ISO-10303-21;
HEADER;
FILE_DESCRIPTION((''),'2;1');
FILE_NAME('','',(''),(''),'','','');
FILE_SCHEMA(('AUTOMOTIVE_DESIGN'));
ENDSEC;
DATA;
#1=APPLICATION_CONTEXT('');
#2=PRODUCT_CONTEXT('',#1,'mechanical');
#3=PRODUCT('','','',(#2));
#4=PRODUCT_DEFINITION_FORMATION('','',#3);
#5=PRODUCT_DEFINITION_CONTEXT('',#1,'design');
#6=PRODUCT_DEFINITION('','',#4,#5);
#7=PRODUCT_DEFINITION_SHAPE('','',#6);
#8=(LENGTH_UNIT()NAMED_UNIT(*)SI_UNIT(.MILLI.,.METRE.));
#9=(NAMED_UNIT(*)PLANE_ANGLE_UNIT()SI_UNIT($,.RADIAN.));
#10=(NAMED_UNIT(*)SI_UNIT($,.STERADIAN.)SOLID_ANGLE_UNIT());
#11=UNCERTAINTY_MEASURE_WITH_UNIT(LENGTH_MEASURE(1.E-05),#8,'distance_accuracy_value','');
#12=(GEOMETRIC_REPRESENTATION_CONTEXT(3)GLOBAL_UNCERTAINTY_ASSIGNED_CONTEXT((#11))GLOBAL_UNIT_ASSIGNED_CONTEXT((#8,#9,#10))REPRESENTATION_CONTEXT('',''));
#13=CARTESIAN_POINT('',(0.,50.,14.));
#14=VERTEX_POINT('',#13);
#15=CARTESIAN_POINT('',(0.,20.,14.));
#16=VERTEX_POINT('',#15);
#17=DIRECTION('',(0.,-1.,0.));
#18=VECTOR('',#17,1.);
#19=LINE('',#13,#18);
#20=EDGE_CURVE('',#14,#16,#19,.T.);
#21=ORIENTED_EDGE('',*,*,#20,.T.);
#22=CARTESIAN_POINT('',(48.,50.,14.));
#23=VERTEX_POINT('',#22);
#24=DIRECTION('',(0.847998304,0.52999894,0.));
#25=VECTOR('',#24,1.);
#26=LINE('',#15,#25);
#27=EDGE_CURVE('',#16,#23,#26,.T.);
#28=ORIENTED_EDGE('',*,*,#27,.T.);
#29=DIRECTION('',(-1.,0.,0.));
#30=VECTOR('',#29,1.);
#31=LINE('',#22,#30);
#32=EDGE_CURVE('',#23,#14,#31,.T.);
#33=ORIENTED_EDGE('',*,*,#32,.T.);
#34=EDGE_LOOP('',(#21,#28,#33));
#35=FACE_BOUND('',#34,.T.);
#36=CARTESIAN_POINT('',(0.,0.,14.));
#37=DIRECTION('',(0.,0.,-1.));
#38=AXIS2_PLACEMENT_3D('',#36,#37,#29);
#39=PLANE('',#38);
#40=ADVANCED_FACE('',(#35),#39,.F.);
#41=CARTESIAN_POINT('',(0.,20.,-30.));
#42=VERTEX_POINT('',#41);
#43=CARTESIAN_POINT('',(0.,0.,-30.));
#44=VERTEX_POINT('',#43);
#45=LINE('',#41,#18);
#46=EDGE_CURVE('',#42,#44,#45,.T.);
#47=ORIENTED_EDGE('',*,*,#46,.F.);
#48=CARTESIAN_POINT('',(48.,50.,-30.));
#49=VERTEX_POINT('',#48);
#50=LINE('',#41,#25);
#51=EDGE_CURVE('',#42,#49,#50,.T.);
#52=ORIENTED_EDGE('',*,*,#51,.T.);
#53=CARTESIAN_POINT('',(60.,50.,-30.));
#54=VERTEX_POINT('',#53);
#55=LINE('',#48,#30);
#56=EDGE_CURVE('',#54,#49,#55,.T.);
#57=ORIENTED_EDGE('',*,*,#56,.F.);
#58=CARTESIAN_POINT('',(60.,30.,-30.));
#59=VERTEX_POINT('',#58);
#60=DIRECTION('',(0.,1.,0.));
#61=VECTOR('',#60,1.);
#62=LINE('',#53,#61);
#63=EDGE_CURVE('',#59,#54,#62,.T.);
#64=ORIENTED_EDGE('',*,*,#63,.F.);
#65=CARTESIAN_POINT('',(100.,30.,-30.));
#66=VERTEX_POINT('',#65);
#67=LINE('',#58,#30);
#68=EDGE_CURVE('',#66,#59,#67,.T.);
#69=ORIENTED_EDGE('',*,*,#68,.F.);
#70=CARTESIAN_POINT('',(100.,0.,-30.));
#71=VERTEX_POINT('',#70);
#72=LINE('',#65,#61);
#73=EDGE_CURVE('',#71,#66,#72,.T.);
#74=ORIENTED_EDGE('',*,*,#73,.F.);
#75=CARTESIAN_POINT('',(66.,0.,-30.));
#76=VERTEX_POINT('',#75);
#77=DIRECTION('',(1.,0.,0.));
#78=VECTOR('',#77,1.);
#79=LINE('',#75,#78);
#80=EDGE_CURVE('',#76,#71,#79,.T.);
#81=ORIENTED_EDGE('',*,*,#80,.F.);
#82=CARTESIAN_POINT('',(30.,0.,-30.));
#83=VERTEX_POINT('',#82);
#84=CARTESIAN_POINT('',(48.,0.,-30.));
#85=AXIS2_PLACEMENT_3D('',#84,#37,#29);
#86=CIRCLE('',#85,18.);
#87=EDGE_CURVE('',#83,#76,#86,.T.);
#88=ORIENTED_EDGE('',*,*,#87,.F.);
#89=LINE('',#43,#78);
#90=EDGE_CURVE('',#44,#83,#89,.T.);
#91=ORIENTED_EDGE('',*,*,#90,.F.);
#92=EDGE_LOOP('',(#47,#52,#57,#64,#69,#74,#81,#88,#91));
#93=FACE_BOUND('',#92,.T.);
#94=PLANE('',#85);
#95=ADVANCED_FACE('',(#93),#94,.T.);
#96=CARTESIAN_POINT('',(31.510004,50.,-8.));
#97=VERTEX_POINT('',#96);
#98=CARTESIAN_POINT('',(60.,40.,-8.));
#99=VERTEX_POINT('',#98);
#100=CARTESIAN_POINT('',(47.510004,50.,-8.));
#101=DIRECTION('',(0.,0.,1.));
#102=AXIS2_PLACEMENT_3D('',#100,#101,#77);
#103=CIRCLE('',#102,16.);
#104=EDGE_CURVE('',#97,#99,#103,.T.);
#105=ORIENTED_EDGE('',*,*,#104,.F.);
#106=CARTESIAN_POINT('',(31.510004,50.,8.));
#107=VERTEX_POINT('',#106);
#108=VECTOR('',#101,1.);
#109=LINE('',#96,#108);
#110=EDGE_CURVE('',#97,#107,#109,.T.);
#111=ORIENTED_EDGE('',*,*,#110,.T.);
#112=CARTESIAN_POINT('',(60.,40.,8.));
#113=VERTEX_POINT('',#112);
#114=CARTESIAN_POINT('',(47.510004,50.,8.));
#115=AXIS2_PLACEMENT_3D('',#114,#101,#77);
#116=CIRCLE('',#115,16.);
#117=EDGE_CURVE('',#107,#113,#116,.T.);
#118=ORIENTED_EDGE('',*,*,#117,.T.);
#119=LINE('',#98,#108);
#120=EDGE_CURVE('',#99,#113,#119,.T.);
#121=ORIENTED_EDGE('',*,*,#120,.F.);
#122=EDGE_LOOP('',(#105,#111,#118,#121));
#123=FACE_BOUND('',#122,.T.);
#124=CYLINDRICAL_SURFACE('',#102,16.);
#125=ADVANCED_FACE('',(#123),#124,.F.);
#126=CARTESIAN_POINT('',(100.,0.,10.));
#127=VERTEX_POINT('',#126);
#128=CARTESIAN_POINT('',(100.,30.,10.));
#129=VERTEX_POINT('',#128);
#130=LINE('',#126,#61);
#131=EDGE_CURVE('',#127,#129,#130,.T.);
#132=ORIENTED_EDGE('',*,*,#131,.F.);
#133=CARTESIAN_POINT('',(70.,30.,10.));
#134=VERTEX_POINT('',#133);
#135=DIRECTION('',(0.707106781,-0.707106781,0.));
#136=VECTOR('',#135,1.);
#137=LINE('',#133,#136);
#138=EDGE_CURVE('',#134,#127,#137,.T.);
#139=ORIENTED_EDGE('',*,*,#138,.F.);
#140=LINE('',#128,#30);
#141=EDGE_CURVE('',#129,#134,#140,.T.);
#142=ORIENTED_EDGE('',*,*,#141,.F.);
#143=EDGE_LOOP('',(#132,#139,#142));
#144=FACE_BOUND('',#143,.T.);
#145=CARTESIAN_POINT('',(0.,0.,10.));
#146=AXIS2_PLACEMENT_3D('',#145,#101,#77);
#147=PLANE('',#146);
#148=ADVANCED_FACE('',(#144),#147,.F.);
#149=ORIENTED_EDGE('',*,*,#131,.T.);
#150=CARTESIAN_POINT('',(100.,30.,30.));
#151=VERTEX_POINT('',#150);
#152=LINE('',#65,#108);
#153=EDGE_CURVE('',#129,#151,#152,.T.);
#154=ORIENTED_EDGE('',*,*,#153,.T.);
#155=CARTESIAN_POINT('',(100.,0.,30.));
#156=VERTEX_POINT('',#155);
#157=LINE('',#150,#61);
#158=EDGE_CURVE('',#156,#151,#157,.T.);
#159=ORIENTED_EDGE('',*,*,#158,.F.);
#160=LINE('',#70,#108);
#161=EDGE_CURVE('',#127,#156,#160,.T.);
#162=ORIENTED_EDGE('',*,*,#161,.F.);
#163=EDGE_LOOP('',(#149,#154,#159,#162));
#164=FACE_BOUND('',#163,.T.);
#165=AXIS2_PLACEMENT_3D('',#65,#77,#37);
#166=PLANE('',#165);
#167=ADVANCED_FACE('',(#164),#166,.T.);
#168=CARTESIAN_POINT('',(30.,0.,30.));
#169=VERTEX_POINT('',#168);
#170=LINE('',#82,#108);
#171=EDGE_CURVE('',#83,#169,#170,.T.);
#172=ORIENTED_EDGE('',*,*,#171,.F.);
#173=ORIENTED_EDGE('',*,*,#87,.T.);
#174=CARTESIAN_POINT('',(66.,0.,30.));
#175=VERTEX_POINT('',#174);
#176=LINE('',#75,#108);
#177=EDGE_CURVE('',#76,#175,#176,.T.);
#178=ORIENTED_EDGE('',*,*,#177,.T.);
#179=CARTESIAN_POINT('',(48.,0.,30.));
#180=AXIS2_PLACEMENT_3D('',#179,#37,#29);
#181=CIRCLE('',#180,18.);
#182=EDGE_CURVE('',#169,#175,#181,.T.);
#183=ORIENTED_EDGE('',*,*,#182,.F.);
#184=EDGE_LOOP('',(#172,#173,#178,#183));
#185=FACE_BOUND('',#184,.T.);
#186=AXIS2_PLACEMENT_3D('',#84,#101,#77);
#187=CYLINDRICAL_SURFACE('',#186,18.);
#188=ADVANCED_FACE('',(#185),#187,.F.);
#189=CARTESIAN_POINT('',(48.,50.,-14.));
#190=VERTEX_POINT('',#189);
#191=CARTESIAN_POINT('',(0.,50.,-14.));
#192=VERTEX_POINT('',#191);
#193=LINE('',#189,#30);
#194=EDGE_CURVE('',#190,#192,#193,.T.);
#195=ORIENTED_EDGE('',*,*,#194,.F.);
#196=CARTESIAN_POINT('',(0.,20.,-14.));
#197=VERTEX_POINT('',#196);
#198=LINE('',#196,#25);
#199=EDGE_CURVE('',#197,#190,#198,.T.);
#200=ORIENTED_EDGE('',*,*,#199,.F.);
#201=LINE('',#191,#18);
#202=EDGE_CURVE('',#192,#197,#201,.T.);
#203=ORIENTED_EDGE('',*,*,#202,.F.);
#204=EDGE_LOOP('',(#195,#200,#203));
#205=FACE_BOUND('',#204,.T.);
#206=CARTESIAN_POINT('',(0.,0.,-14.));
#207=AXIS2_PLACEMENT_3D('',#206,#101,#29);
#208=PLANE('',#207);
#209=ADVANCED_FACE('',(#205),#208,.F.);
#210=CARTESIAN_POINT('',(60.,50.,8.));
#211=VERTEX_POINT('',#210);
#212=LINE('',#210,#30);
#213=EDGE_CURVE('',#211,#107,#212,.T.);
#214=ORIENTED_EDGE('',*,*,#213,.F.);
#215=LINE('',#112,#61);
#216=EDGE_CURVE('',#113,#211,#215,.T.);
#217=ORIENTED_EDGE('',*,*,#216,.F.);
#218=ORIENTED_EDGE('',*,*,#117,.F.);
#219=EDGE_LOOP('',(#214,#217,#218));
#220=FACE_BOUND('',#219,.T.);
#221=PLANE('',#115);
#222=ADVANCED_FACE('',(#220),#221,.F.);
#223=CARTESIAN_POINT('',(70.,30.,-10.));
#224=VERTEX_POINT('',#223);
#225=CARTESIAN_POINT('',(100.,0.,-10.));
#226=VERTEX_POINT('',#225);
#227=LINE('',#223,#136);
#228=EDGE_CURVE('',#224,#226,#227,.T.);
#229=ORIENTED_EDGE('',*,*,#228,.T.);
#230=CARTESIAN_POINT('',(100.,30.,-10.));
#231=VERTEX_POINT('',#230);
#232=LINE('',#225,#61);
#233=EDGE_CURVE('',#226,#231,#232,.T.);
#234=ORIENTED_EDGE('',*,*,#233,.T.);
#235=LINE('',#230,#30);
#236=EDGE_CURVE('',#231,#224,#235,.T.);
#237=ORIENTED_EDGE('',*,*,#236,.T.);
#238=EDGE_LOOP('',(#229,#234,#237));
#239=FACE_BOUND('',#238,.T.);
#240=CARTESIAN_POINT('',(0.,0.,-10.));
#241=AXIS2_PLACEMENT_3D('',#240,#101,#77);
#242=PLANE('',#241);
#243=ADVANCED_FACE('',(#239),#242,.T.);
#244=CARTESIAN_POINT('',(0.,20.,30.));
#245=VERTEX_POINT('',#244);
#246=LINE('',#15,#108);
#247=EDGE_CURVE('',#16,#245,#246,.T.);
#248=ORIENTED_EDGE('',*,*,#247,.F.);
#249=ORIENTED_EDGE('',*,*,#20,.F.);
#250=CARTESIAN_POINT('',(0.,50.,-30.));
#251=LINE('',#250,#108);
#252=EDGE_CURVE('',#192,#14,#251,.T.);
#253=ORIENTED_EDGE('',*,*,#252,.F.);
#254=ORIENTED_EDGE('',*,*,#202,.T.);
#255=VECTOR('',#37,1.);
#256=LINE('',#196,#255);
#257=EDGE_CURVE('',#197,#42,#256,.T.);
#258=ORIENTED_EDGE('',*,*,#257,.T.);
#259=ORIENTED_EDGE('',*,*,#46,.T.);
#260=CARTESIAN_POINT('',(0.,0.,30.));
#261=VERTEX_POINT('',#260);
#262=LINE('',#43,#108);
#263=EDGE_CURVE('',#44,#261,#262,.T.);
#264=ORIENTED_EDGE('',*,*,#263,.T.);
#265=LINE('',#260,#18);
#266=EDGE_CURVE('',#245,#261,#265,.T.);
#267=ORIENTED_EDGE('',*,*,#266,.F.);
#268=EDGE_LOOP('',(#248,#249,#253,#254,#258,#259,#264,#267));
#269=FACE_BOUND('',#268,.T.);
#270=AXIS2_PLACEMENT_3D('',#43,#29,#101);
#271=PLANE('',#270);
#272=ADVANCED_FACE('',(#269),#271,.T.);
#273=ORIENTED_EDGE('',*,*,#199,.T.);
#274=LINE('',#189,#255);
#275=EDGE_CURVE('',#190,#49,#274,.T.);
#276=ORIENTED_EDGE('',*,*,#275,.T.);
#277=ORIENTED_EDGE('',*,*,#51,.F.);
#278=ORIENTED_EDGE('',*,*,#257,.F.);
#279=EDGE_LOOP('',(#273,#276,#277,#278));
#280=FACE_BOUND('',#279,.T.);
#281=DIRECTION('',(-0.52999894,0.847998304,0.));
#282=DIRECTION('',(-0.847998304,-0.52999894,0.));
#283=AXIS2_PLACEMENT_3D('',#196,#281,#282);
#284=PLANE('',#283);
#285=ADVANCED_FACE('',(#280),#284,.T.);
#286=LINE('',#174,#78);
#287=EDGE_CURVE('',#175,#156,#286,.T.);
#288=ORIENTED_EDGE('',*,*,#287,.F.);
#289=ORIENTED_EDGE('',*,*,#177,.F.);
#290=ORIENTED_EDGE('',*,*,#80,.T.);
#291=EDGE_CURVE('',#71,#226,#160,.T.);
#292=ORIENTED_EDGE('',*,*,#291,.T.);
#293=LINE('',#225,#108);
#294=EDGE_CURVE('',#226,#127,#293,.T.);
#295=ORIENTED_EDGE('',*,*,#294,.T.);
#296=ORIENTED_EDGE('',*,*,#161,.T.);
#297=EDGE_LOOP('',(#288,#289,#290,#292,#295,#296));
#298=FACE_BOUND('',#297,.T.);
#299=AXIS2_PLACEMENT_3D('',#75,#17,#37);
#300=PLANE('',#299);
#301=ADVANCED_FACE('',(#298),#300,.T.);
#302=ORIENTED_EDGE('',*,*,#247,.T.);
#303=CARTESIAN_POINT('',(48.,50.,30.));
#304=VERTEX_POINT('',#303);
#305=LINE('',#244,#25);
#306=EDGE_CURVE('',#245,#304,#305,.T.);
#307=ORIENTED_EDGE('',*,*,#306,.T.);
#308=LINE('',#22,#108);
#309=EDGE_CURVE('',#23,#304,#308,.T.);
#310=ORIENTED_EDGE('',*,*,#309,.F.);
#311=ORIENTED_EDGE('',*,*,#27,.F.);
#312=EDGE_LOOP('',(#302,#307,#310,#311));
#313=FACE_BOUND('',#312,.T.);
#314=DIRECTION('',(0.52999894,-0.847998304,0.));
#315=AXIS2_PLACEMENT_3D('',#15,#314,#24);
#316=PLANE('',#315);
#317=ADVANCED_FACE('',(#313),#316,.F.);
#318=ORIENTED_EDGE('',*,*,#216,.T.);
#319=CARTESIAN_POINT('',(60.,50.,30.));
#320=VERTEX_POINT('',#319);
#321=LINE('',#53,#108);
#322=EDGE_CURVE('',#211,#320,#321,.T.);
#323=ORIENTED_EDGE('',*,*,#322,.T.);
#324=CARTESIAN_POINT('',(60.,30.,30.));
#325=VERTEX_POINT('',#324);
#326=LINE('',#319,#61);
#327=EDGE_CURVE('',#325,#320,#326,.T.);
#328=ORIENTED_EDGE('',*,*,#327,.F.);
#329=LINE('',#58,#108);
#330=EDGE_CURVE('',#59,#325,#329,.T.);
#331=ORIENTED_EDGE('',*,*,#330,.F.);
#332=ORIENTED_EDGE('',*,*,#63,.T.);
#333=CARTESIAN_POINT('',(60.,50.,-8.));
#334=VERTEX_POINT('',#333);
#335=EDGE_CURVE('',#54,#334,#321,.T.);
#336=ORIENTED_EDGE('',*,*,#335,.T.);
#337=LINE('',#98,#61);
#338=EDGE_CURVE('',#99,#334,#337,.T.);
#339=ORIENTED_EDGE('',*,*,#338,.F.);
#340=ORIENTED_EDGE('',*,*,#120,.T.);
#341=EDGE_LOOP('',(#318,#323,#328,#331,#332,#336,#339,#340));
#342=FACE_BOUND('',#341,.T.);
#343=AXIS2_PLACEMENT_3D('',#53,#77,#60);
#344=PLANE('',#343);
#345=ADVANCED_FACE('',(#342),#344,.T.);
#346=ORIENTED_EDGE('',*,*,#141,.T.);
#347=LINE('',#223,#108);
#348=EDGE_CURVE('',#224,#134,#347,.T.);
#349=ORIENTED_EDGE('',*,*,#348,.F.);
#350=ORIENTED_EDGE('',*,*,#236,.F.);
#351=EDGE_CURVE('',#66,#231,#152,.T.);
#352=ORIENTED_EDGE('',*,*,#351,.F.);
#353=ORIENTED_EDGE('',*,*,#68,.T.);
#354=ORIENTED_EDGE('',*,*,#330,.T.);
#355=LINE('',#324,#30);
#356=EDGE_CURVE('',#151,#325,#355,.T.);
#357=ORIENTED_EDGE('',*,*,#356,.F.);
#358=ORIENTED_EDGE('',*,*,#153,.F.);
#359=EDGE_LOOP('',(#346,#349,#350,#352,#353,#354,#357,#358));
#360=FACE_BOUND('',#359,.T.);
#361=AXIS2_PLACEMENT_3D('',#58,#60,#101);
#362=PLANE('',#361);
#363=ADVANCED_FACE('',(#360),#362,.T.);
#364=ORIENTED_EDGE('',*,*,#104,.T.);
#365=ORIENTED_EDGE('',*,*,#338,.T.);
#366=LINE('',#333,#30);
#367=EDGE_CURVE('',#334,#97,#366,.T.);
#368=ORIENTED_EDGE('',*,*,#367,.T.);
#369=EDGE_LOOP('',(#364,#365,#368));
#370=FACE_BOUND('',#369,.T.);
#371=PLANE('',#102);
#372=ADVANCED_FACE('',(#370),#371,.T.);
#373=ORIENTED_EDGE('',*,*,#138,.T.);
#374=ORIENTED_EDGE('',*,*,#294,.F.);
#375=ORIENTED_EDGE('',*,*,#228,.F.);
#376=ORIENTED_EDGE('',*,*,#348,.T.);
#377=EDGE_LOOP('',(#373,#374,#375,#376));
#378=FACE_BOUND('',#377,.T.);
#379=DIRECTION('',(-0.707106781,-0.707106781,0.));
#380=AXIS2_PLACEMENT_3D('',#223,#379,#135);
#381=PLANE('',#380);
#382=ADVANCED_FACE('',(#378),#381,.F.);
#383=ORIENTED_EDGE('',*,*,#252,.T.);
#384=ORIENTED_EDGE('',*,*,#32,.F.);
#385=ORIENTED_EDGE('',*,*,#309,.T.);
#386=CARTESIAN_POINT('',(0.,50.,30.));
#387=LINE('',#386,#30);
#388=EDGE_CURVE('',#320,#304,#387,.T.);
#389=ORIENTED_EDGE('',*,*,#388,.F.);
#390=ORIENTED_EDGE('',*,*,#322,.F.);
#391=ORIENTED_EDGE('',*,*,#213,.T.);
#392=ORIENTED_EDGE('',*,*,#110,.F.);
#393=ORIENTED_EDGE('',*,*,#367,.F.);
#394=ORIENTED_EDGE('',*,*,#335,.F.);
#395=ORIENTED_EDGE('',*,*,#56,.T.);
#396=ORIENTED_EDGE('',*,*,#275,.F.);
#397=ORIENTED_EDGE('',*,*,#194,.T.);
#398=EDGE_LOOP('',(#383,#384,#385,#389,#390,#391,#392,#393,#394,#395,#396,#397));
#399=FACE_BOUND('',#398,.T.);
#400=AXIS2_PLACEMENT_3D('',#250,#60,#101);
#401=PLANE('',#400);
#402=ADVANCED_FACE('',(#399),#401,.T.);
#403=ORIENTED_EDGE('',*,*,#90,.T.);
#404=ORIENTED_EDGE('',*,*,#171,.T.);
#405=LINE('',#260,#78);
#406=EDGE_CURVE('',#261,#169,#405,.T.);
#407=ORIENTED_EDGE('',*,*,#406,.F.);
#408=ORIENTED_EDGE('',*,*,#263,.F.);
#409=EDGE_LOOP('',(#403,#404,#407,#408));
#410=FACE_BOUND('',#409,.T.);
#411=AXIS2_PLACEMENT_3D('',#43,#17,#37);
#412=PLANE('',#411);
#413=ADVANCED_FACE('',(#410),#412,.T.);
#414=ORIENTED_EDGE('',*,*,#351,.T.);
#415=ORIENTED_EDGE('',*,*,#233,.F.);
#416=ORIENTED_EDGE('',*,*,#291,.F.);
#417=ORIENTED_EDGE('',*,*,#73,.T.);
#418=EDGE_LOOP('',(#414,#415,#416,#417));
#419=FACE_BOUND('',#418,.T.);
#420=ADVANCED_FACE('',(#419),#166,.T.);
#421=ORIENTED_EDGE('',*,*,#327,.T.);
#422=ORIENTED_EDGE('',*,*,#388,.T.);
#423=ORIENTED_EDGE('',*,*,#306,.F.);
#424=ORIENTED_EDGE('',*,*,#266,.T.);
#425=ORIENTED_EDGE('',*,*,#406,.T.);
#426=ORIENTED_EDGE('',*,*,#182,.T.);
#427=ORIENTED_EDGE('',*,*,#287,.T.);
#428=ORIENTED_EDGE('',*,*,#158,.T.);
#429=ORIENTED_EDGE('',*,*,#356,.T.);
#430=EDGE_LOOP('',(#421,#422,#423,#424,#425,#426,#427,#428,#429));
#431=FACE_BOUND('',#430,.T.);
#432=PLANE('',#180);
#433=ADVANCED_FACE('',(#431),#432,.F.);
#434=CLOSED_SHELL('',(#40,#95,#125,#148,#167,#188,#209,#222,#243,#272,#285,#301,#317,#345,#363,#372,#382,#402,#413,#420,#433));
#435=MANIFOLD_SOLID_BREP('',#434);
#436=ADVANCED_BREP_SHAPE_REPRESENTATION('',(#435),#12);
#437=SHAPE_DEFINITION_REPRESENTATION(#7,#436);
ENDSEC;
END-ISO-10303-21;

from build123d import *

# Parameters (mm, degrees)
BOSS_EXTRUDE1_DEPTH = 30
CUT_EXTRUDE1_DEPTH  = 16
CUT_EXTRUDE3_DEPTH  = 8
CUT_EXTRUDE4_DEPTH  = 10


with BuildPart() as part:
    # Sketch1 → Boss-Extrude1 (new, symmetric)
    with BuildSketch(Plane.XY):
        with BuildLine():
            Line((0, 0), (0, 20))
            Line((0, 20), (0, 50))
            Line((0, 50), (48, 50))
            Line((48, 50), (60, 50))
            Line((60, 50), (60, 30))
            Line((60, 30), (100, 30))
            Line((100, 30), (100, 0))
            Line((100, 0), (66, 0))
            ThreePointArc((66, 0), (48, 18), (30, 0))
            Line((30, 0), (0, 0))
        make_face()
    extrude(amount=BOSS_EXTRUDE1_DEPTH, both=True)

    # Sketch2 → Cut-Extrude1 (cut)
    with BuildSketch(Plane.XY.offset(30)):
        Polygon((0, 20), (48, 50), (0, 50), align=None)
    cut_extrude1 = extrude(amount=-CUT_EXTRUDE1_DEPTH, mode=Mode.SUBTRACT)

    # Mirror1: Cut-Extrude1 across plane
    add(cut_extrude1.mirror(Plane.XY), mode=Mode.SUBTRACT)

    # Sketch4 → Cut-Extrude3 (cut, symmetric)
    with BuildSketch(Plane.XY):
        with BuildLine():
            Line((60, 50), (31.510004003, 50))
            ThreePointArc((31.510004003, 50), (42.210944462, 34.902981487), (60, 40))
            Line((60, 40), (60, 50))
        make_face()
    extrude(amount=CUT_EXTRUDE3_DEPTH, both=True, mode=Mode.SUBTRACT)

    # Sketch5 → Cut-Extrude4 (cut, symmetric)
    with BuildSketch(Plane.XY):
        Polygon((100, 0), (100, 30), (70, 30), align=None)
    extrude(amount=CUT_EXTRUDE4_DEPTH, both=True, mode=Mode.SUBTRACT)


solid = part.part
